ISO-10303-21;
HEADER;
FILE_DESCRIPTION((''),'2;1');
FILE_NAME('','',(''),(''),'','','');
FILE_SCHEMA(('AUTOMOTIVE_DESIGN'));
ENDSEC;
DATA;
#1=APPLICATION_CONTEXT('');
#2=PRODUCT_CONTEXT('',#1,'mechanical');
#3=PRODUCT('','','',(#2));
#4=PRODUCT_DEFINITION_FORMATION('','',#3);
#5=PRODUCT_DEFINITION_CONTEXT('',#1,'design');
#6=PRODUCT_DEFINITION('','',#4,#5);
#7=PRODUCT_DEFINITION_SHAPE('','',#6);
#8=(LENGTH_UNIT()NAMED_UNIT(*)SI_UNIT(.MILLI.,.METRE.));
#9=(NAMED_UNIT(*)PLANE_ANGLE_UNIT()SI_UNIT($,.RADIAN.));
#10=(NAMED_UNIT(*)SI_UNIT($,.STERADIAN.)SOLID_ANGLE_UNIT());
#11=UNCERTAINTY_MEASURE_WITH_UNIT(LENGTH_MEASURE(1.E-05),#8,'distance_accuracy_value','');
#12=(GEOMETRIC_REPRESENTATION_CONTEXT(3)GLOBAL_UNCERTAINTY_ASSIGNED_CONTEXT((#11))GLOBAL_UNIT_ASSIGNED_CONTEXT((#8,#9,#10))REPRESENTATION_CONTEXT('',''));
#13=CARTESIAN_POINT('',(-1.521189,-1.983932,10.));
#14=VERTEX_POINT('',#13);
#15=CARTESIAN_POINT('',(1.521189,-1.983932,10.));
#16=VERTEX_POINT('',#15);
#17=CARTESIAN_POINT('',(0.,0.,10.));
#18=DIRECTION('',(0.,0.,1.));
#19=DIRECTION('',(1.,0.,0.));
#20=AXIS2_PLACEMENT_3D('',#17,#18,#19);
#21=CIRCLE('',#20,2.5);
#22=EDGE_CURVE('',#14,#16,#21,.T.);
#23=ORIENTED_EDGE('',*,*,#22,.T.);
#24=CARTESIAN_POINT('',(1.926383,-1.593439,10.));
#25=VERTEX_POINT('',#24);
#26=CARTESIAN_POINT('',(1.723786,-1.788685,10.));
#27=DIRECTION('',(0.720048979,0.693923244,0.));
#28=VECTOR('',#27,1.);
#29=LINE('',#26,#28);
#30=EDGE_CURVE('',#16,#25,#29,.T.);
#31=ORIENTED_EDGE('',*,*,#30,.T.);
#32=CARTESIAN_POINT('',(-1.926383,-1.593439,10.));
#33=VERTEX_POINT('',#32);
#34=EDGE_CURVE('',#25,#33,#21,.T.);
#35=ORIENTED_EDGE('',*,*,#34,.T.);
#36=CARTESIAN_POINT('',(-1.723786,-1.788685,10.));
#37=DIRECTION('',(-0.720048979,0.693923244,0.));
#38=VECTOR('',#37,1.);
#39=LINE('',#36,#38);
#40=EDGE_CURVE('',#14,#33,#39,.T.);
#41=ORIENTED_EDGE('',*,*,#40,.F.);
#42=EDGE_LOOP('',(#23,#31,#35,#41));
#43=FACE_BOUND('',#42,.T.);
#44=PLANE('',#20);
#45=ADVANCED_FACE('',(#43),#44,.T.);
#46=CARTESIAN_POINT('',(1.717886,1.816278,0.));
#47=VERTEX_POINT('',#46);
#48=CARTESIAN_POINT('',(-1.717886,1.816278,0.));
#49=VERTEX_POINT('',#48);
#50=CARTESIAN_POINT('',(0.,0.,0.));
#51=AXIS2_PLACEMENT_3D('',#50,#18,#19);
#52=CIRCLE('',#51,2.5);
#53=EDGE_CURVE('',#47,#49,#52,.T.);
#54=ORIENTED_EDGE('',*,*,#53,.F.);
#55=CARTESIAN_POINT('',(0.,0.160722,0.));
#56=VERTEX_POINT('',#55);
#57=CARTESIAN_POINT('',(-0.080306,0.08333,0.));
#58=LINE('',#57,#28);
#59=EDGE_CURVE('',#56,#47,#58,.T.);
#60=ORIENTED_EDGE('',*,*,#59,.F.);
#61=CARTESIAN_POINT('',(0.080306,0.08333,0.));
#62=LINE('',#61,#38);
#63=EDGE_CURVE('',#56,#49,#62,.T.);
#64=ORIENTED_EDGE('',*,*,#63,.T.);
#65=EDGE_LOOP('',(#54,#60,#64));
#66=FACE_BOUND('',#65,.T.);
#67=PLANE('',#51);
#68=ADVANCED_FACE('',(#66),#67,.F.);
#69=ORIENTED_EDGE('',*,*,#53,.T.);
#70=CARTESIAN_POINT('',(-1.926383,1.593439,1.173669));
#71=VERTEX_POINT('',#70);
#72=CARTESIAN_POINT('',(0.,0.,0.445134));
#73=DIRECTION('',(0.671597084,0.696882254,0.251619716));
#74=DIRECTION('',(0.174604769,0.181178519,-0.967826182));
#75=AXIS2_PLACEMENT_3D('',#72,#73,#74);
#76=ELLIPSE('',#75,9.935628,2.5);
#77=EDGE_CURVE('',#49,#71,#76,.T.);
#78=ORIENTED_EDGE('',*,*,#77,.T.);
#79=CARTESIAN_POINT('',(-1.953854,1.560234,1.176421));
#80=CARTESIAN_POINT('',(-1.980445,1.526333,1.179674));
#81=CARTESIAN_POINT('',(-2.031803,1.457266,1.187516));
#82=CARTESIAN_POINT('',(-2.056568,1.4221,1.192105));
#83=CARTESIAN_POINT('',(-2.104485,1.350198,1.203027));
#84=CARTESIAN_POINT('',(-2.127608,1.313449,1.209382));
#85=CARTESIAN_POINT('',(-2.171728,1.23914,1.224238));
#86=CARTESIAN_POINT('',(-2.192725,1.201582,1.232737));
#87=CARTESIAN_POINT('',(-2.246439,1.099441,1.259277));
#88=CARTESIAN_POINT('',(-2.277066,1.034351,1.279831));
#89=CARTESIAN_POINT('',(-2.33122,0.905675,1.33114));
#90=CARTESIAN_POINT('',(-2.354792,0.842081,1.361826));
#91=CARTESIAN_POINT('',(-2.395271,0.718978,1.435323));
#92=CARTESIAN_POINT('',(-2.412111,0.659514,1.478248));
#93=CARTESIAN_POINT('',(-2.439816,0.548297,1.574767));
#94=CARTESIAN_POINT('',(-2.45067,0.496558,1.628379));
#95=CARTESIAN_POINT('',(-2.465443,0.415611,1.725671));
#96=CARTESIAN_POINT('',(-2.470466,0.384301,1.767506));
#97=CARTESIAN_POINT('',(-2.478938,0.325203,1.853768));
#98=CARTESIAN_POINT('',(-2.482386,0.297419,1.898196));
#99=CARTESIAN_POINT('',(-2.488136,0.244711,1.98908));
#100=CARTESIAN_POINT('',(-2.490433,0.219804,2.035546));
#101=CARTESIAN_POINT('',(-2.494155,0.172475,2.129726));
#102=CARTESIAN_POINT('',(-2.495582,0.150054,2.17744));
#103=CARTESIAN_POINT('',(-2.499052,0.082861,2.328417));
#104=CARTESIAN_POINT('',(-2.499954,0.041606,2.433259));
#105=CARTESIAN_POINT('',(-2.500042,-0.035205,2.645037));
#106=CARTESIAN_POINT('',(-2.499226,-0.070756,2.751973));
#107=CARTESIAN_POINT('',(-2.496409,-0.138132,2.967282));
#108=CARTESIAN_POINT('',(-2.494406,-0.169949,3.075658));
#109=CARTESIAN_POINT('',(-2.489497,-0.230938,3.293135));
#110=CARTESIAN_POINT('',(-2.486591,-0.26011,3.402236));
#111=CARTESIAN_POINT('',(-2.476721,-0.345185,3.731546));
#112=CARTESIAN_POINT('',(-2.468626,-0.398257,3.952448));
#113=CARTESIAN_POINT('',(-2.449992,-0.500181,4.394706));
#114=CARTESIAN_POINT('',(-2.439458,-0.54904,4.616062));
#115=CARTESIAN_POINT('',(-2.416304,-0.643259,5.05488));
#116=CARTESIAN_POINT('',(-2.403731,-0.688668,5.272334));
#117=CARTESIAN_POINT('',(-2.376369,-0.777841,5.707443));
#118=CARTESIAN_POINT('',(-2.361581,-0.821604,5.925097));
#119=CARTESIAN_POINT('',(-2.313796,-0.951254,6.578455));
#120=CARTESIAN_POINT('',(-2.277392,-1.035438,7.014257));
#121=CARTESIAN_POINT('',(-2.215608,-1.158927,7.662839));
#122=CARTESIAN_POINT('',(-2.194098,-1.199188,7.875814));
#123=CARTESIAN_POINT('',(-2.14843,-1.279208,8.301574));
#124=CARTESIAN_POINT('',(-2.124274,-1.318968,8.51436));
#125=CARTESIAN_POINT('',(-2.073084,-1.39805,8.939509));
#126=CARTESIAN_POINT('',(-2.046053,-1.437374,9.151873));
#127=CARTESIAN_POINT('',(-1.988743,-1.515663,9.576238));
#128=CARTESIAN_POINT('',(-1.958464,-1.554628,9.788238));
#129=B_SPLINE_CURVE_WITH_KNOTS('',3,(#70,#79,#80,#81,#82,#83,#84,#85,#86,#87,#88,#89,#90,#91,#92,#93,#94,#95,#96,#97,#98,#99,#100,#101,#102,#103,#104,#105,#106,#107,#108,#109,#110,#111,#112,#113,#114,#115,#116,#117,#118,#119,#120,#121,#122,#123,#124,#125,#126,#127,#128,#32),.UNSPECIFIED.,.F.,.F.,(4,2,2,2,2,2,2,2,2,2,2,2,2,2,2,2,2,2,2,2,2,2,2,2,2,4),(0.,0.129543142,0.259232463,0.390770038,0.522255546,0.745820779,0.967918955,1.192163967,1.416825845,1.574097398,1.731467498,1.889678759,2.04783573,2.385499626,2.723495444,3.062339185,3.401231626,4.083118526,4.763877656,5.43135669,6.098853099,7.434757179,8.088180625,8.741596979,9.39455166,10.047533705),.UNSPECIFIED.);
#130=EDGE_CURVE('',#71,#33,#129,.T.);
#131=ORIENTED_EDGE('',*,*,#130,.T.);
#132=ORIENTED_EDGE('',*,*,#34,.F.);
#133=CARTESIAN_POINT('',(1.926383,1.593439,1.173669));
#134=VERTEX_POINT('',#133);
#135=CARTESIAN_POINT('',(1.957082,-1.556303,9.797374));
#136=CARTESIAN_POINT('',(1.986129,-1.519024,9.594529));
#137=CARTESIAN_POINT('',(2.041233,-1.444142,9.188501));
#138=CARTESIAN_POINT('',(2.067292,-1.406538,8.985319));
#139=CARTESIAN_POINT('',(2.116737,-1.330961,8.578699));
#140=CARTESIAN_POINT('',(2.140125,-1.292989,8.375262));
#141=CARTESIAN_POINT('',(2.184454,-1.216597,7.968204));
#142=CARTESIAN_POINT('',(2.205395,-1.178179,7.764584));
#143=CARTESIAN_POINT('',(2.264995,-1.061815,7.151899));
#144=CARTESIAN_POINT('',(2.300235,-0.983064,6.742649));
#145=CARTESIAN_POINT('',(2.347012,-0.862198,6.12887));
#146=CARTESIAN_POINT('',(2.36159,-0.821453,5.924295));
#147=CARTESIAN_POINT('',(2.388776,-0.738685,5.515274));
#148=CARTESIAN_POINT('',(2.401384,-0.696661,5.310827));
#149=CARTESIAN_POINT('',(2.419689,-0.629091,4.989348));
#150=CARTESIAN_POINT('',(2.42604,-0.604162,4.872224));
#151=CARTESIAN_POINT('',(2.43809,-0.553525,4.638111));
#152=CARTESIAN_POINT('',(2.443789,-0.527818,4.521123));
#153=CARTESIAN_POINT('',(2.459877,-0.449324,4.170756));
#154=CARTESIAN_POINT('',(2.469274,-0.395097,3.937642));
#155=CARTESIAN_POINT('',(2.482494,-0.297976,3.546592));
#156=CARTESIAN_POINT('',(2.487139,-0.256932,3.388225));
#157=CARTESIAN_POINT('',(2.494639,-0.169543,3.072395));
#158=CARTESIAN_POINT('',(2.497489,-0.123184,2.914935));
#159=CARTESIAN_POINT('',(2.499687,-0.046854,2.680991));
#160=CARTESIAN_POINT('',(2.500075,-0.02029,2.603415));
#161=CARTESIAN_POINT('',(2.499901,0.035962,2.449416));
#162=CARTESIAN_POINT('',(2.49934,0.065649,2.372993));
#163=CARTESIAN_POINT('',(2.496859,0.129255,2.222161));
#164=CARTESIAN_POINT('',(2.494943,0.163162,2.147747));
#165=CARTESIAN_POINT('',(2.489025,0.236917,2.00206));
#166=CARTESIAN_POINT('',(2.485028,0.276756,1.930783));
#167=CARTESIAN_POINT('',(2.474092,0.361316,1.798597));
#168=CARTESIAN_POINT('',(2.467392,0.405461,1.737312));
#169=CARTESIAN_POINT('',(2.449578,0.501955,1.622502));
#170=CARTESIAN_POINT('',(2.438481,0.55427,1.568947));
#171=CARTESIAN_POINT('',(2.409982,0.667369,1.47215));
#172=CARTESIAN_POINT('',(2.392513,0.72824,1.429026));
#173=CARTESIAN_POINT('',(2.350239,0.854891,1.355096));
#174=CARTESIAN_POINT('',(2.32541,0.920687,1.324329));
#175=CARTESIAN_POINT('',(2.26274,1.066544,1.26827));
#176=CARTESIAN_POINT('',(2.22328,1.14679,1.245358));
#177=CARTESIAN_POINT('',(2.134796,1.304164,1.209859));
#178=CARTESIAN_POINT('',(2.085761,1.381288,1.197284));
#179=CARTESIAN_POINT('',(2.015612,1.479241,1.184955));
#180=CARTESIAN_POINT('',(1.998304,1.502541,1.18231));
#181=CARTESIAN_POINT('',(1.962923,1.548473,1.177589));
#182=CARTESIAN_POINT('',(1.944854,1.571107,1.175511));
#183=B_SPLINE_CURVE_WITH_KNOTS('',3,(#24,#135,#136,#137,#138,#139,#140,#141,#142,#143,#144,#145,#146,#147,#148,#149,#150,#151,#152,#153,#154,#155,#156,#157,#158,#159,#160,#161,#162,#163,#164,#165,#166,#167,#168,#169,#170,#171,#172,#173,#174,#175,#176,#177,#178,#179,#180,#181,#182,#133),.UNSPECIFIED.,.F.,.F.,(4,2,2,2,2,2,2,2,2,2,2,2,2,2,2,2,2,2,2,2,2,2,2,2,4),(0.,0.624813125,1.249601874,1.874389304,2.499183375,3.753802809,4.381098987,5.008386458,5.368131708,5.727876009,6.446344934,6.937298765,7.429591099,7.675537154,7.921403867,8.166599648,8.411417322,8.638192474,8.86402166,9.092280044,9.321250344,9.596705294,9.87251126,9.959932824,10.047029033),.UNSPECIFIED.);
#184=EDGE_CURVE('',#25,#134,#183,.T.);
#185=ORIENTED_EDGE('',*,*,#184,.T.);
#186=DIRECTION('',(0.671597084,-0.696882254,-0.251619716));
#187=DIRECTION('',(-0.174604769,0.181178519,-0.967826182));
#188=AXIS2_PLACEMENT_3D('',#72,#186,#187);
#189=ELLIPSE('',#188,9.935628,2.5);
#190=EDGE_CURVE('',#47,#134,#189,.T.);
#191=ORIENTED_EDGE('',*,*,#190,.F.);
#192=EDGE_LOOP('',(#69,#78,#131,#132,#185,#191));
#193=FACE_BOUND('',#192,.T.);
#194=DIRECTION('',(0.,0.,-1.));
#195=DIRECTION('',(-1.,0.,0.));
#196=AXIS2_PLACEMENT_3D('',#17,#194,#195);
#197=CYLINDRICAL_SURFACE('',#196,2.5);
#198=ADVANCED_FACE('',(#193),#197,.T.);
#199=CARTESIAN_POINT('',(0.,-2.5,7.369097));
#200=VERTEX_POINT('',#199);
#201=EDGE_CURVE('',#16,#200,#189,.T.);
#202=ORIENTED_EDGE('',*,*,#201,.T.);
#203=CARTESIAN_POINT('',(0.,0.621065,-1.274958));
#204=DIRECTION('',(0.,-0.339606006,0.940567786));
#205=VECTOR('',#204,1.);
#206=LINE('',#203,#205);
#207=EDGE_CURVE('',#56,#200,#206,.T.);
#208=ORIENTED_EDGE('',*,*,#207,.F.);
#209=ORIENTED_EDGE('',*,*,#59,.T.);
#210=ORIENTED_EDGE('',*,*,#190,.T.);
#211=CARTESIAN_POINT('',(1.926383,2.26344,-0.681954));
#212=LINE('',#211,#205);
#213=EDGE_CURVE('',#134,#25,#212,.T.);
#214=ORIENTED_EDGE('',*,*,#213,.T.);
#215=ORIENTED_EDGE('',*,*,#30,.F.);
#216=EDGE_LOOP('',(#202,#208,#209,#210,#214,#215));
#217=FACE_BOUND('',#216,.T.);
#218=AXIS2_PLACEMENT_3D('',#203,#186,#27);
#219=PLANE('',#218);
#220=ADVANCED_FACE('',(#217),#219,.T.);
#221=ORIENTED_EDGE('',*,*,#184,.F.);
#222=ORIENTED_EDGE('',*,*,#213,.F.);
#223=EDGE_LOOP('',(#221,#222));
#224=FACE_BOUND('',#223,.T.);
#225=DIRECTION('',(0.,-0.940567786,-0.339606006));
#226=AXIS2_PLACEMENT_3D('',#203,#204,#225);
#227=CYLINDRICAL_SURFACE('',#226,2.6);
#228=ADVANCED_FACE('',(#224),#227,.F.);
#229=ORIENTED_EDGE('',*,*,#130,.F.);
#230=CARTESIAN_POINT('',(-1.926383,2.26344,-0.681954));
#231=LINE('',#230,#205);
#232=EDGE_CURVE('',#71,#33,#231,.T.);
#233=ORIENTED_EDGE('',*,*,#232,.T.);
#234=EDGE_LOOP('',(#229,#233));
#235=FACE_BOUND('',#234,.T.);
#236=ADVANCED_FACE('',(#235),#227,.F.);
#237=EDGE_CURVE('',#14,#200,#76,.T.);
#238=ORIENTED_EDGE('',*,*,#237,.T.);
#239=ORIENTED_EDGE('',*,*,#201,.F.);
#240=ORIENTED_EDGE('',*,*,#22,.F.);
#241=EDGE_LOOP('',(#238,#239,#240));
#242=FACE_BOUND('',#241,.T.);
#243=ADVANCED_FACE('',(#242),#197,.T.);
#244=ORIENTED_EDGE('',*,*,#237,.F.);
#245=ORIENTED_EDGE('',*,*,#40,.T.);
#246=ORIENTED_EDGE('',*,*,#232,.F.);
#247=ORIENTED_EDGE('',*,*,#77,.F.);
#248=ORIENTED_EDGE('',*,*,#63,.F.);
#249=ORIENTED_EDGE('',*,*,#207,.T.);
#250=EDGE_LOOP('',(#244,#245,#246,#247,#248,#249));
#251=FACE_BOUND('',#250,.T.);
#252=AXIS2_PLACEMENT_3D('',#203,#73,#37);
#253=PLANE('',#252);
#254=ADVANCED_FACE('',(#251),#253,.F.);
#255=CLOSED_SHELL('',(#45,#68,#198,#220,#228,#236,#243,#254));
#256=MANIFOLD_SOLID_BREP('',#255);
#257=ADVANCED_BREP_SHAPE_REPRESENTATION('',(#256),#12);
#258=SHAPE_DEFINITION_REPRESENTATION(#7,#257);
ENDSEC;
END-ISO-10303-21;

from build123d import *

# Parameters (mm, degrees)
SKETCH1_R           = 2.5
BOSS_EXTRUDE1_DEPTH = 10
CUT_EXTRUDE2_DEPTH  = 12


with BuildPart() as part:
    # Sketch1 → Boss-Extrude1 (new body)
    with BuildSketch(Plane.XY):
        Circle(SKETCH1_R)
    extrude(amount=BOSS_EXTRUDE1_DEPTH)

    # Sketch5 → Cut-Extrude2 (cut)
    with BuildSketch(Plane(origin=(0, -3.454207271, 10.011855364), x_dir=(1, 0, 0), z_dir=(0, -0.3396060060418324, 0.9405677863186231))):
        with BuildLine():
            Line((0, 0), (-1.926383071, 1.746152417))
            ThreePointArc((-1.926383071, 1.746152417), (0, -2.6), (1.926383071, 1.746152417))
            Line((1.926383071, 1.746152417), (0, 0))
        make_face()
    extrude(amount=-CUT_EXTRUDE2_DEPTH, mode=Mode.SUBTRACT)


solid = part.part
